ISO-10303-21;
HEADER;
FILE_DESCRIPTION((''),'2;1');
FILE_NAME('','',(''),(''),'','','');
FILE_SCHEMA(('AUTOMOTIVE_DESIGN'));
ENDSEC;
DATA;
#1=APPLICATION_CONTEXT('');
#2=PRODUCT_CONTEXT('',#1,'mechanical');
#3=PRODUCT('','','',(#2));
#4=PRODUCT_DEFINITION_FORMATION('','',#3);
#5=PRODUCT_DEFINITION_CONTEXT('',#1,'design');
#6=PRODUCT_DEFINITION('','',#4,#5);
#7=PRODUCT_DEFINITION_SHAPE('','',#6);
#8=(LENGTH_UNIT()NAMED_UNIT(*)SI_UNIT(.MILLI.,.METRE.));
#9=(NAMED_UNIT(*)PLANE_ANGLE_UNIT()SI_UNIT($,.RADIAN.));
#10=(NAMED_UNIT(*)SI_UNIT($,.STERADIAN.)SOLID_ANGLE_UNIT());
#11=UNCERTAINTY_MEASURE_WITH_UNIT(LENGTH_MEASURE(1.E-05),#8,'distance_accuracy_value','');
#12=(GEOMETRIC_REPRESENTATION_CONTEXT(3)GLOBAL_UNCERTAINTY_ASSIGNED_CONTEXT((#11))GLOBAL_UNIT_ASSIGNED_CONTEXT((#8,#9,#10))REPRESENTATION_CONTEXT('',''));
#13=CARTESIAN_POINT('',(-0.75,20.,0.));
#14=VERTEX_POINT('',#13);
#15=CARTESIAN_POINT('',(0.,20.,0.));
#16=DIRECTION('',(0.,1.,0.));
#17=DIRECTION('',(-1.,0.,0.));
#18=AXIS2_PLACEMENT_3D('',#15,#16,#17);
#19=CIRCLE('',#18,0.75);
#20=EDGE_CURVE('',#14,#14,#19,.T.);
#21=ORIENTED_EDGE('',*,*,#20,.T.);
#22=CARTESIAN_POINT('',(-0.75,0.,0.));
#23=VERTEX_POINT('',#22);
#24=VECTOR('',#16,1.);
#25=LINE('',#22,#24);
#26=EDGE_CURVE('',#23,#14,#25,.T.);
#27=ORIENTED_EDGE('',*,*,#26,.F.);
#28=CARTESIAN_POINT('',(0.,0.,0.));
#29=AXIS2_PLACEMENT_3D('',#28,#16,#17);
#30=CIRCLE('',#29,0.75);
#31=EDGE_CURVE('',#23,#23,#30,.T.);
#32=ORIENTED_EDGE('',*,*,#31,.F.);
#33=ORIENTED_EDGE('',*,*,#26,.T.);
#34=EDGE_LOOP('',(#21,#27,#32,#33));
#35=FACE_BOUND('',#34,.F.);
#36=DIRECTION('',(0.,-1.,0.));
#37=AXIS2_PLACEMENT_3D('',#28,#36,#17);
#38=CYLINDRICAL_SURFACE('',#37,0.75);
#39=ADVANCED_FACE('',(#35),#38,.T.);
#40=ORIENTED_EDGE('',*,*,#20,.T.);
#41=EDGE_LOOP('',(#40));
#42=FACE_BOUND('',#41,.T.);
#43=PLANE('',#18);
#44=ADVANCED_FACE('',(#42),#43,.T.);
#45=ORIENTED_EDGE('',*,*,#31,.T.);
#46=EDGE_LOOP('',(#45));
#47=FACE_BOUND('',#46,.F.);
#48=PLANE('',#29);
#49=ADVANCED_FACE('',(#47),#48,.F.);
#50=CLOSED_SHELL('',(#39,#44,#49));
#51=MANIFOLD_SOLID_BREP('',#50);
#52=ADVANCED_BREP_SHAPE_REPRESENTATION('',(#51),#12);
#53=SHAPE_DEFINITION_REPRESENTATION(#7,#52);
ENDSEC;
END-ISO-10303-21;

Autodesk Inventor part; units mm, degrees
ref_plane "YZ Plane" through (0, 0, 0) normal (1, 0, 0) x (0, 1, 0)
ref_plane "XZ Plane" through (0, 0, 0) normal (0, 1, 0) x (-1, 0, 0)
ref_plane "XY Plane" through (0, 0, 0) normal (0, 0, 1) x (1, 0, 0)
sketch "Skizze1" plane through (0, 0, 0) normal (0, 1, 0) x (-1, 0, 0)
  circle A0 centre (0, 0) radius 0.75
  dimension "d0" = 1.5
extrude "Extrusion1" add sketch "Skizze1" along normal blind 20
properties part number "Stift_20mm"
